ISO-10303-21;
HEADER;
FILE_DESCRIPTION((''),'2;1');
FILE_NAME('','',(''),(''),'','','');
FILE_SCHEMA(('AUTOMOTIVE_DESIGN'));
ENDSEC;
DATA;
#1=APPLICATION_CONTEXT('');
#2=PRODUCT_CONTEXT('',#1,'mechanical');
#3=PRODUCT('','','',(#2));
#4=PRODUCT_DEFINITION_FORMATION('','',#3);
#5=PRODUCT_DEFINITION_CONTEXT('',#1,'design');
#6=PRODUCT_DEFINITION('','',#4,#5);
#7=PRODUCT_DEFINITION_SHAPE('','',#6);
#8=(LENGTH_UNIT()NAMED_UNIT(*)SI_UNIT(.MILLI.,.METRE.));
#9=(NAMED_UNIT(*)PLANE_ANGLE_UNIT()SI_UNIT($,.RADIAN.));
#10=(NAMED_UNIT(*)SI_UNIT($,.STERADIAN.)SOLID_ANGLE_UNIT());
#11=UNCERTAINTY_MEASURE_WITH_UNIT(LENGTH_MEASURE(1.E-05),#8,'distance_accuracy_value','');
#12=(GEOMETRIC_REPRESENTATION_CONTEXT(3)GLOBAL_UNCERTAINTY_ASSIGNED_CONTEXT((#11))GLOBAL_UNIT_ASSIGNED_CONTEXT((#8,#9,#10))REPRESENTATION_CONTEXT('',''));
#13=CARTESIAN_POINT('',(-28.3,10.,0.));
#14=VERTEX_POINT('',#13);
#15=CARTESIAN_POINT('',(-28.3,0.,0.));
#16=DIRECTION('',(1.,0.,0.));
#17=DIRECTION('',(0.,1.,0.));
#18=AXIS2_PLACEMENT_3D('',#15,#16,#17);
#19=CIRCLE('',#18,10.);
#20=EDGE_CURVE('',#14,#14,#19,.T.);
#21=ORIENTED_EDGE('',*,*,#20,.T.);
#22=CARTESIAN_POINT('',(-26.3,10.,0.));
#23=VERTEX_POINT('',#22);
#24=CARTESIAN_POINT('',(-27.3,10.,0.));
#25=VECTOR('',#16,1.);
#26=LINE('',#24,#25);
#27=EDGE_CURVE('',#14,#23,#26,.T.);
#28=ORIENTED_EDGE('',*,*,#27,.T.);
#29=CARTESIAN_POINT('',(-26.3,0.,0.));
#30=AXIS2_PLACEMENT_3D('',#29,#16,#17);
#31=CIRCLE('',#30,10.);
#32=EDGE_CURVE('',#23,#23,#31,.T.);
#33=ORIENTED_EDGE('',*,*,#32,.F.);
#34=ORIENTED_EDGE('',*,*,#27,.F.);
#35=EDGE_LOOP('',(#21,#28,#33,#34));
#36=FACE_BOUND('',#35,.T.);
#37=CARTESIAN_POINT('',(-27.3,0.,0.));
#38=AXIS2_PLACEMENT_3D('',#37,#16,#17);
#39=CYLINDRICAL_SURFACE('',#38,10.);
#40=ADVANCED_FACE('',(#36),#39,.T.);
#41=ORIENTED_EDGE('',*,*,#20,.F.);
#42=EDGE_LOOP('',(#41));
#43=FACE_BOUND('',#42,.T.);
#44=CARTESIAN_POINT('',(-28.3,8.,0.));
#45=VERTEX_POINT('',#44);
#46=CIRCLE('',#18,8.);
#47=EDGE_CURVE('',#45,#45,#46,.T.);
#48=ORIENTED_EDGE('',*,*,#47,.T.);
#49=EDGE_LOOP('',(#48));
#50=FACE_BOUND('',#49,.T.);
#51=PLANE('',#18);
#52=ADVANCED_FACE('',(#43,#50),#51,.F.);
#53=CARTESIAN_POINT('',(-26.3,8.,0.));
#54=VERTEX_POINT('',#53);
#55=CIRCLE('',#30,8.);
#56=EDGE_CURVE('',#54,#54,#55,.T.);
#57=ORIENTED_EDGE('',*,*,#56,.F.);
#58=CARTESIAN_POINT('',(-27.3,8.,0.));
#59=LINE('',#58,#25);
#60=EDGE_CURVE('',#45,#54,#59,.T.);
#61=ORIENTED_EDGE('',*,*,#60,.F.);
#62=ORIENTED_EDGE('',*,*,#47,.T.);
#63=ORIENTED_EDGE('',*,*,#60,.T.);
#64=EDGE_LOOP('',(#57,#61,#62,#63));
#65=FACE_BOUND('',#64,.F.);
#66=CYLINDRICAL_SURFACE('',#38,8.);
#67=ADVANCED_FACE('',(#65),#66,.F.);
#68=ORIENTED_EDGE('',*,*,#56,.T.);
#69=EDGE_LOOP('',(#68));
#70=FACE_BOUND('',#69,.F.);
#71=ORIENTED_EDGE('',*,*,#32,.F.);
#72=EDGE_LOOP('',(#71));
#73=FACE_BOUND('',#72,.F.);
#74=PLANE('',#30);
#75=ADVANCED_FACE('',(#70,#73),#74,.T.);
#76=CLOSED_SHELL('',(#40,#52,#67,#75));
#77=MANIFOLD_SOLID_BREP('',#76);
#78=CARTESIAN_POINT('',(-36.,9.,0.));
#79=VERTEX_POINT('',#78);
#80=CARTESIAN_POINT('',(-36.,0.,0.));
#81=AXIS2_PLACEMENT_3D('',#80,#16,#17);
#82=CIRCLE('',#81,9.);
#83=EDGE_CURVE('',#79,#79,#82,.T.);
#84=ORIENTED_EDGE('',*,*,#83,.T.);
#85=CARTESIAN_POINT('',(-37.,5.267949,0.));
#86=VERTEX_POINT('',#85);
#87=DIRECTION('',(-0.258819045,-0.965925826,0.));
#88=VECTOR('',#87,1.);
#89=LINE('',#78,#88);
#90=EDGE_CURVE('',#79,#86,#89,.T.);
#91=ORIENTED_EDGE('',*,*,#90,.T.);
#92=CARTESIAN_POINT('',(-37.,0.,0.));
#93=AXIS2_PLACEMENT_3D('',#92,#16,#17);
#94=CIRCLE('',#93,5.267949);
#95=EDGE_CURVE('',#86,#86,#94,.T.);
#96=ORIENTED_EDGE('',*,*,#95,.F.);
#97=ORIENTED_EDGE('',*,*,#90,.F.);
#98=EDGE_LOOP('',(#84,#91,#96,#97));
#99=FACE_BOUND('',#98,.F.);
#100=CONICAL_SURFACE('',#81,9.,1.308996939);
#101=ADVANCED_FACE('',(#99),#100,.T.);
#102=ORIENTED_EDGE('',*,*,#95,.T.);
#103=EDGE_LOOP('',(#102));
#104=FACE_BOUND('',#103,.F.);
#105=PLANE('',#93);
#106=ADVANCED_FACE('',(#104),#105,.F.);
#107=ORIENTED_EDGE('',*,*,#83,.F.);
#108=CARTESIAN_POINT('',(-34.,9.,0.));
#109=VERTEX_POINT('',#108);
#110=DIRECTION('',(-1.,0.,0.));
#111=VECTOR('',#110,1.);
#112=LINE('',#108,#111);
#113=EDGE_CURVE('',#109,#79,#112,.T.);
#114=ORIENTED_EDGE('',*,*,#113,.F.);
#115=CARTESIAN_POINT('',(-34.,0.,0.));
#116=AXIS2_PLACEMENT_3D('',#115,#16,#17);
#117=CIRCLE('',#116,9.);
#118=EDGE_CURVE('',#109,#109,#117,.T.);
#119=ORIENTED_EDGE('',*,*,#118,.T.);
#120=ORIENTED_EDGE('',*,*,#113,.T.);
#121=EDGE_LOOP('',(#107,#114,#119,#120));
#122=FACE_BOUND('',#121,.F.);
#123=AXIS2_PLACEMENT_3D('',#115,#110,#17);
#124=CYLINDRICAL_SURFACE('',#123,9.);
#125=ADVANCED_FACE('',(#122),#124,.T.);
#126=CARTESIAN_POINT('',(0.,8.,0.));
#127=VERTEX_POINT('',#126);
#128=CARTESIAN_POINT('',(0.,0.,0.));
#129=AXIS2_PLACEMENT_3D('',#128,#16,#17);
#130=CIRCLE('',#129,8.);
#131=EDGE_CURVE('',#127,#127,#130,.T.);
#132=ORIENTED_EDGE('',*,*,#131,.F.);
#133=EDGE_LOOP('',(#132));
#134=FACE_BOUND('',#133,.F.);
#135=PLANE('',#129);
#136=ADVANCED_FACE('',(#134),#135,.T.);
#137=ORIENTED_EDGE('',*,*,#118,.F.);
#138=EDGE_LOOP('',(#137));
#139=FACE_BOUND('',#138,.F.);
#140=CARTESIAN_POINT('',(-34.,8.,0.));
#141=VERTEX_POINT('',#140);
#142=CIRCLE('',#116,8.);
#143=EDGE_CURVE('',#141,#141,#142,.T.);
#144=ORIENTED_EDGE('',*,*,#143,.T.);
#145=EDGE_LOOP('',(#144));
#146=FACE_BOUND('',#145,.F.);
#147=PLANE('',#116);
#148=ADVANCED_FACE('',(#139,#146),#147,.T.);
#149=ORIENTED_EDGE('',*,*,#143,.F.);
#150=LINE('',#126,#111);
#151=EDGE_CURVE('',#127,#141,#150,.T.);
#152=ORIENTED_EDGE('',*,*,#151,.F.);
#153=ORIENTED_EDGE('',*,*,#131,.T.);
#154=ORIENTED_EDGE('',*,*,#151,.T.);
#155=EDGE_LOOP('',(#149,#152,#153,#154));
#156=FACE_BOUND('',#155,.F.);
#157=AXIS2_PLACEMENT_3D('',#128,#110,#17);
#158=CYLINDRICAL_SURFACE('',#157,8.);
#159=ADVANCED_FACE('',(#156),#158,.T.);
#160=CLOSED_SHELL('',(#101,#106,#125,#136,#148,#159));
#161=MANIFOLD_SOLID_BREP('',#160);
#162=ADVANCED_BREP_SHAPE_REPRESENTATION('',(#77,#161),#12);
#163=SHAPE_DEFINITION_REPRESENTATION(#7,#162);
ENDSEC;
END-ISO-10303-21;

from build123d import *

# Parameters (mm, degrees)
F0_W   = 5.7
F0_H   = 8
F0_W_2 = 2
F0_W_3 = 26.3
F0_H_2 = 2


with BuildPart() as f1:
    # F0 (on Top) → F1 (revolve)
    with BuildSketch(Plane.XY):
        Polygon((-37, 5.2679491924), (-37, 0), (-34, 0), (-34, 8), (-34, 9), (-36, 9), align=None)
        with Locations((-31.15, 4)):
            Rectangle(F0_W, F0_H)
        with Locations((-27.3, 4)):
            Rectangle(F0_W_2, F0_H)
        with Locations((-13.15, 4)):
            Rectangle(F0_W_3, F0_H)
    revolve(axis=Axis((-18.5, 0, 0), (1, 0, 0)))


with BuildPart() as f2:
    # F0 (on Top) → F2 (revolve)
    with BuildSketch(Plane.XY):
        with Locations((-27.3, 9)):
            Rectangle(F0_W_2, F0_H_2)
    revolve(axis=Axis((-18.5, 0, 0), (1, 0, 0)))


solid = Compound([f1.part, f2.part])
